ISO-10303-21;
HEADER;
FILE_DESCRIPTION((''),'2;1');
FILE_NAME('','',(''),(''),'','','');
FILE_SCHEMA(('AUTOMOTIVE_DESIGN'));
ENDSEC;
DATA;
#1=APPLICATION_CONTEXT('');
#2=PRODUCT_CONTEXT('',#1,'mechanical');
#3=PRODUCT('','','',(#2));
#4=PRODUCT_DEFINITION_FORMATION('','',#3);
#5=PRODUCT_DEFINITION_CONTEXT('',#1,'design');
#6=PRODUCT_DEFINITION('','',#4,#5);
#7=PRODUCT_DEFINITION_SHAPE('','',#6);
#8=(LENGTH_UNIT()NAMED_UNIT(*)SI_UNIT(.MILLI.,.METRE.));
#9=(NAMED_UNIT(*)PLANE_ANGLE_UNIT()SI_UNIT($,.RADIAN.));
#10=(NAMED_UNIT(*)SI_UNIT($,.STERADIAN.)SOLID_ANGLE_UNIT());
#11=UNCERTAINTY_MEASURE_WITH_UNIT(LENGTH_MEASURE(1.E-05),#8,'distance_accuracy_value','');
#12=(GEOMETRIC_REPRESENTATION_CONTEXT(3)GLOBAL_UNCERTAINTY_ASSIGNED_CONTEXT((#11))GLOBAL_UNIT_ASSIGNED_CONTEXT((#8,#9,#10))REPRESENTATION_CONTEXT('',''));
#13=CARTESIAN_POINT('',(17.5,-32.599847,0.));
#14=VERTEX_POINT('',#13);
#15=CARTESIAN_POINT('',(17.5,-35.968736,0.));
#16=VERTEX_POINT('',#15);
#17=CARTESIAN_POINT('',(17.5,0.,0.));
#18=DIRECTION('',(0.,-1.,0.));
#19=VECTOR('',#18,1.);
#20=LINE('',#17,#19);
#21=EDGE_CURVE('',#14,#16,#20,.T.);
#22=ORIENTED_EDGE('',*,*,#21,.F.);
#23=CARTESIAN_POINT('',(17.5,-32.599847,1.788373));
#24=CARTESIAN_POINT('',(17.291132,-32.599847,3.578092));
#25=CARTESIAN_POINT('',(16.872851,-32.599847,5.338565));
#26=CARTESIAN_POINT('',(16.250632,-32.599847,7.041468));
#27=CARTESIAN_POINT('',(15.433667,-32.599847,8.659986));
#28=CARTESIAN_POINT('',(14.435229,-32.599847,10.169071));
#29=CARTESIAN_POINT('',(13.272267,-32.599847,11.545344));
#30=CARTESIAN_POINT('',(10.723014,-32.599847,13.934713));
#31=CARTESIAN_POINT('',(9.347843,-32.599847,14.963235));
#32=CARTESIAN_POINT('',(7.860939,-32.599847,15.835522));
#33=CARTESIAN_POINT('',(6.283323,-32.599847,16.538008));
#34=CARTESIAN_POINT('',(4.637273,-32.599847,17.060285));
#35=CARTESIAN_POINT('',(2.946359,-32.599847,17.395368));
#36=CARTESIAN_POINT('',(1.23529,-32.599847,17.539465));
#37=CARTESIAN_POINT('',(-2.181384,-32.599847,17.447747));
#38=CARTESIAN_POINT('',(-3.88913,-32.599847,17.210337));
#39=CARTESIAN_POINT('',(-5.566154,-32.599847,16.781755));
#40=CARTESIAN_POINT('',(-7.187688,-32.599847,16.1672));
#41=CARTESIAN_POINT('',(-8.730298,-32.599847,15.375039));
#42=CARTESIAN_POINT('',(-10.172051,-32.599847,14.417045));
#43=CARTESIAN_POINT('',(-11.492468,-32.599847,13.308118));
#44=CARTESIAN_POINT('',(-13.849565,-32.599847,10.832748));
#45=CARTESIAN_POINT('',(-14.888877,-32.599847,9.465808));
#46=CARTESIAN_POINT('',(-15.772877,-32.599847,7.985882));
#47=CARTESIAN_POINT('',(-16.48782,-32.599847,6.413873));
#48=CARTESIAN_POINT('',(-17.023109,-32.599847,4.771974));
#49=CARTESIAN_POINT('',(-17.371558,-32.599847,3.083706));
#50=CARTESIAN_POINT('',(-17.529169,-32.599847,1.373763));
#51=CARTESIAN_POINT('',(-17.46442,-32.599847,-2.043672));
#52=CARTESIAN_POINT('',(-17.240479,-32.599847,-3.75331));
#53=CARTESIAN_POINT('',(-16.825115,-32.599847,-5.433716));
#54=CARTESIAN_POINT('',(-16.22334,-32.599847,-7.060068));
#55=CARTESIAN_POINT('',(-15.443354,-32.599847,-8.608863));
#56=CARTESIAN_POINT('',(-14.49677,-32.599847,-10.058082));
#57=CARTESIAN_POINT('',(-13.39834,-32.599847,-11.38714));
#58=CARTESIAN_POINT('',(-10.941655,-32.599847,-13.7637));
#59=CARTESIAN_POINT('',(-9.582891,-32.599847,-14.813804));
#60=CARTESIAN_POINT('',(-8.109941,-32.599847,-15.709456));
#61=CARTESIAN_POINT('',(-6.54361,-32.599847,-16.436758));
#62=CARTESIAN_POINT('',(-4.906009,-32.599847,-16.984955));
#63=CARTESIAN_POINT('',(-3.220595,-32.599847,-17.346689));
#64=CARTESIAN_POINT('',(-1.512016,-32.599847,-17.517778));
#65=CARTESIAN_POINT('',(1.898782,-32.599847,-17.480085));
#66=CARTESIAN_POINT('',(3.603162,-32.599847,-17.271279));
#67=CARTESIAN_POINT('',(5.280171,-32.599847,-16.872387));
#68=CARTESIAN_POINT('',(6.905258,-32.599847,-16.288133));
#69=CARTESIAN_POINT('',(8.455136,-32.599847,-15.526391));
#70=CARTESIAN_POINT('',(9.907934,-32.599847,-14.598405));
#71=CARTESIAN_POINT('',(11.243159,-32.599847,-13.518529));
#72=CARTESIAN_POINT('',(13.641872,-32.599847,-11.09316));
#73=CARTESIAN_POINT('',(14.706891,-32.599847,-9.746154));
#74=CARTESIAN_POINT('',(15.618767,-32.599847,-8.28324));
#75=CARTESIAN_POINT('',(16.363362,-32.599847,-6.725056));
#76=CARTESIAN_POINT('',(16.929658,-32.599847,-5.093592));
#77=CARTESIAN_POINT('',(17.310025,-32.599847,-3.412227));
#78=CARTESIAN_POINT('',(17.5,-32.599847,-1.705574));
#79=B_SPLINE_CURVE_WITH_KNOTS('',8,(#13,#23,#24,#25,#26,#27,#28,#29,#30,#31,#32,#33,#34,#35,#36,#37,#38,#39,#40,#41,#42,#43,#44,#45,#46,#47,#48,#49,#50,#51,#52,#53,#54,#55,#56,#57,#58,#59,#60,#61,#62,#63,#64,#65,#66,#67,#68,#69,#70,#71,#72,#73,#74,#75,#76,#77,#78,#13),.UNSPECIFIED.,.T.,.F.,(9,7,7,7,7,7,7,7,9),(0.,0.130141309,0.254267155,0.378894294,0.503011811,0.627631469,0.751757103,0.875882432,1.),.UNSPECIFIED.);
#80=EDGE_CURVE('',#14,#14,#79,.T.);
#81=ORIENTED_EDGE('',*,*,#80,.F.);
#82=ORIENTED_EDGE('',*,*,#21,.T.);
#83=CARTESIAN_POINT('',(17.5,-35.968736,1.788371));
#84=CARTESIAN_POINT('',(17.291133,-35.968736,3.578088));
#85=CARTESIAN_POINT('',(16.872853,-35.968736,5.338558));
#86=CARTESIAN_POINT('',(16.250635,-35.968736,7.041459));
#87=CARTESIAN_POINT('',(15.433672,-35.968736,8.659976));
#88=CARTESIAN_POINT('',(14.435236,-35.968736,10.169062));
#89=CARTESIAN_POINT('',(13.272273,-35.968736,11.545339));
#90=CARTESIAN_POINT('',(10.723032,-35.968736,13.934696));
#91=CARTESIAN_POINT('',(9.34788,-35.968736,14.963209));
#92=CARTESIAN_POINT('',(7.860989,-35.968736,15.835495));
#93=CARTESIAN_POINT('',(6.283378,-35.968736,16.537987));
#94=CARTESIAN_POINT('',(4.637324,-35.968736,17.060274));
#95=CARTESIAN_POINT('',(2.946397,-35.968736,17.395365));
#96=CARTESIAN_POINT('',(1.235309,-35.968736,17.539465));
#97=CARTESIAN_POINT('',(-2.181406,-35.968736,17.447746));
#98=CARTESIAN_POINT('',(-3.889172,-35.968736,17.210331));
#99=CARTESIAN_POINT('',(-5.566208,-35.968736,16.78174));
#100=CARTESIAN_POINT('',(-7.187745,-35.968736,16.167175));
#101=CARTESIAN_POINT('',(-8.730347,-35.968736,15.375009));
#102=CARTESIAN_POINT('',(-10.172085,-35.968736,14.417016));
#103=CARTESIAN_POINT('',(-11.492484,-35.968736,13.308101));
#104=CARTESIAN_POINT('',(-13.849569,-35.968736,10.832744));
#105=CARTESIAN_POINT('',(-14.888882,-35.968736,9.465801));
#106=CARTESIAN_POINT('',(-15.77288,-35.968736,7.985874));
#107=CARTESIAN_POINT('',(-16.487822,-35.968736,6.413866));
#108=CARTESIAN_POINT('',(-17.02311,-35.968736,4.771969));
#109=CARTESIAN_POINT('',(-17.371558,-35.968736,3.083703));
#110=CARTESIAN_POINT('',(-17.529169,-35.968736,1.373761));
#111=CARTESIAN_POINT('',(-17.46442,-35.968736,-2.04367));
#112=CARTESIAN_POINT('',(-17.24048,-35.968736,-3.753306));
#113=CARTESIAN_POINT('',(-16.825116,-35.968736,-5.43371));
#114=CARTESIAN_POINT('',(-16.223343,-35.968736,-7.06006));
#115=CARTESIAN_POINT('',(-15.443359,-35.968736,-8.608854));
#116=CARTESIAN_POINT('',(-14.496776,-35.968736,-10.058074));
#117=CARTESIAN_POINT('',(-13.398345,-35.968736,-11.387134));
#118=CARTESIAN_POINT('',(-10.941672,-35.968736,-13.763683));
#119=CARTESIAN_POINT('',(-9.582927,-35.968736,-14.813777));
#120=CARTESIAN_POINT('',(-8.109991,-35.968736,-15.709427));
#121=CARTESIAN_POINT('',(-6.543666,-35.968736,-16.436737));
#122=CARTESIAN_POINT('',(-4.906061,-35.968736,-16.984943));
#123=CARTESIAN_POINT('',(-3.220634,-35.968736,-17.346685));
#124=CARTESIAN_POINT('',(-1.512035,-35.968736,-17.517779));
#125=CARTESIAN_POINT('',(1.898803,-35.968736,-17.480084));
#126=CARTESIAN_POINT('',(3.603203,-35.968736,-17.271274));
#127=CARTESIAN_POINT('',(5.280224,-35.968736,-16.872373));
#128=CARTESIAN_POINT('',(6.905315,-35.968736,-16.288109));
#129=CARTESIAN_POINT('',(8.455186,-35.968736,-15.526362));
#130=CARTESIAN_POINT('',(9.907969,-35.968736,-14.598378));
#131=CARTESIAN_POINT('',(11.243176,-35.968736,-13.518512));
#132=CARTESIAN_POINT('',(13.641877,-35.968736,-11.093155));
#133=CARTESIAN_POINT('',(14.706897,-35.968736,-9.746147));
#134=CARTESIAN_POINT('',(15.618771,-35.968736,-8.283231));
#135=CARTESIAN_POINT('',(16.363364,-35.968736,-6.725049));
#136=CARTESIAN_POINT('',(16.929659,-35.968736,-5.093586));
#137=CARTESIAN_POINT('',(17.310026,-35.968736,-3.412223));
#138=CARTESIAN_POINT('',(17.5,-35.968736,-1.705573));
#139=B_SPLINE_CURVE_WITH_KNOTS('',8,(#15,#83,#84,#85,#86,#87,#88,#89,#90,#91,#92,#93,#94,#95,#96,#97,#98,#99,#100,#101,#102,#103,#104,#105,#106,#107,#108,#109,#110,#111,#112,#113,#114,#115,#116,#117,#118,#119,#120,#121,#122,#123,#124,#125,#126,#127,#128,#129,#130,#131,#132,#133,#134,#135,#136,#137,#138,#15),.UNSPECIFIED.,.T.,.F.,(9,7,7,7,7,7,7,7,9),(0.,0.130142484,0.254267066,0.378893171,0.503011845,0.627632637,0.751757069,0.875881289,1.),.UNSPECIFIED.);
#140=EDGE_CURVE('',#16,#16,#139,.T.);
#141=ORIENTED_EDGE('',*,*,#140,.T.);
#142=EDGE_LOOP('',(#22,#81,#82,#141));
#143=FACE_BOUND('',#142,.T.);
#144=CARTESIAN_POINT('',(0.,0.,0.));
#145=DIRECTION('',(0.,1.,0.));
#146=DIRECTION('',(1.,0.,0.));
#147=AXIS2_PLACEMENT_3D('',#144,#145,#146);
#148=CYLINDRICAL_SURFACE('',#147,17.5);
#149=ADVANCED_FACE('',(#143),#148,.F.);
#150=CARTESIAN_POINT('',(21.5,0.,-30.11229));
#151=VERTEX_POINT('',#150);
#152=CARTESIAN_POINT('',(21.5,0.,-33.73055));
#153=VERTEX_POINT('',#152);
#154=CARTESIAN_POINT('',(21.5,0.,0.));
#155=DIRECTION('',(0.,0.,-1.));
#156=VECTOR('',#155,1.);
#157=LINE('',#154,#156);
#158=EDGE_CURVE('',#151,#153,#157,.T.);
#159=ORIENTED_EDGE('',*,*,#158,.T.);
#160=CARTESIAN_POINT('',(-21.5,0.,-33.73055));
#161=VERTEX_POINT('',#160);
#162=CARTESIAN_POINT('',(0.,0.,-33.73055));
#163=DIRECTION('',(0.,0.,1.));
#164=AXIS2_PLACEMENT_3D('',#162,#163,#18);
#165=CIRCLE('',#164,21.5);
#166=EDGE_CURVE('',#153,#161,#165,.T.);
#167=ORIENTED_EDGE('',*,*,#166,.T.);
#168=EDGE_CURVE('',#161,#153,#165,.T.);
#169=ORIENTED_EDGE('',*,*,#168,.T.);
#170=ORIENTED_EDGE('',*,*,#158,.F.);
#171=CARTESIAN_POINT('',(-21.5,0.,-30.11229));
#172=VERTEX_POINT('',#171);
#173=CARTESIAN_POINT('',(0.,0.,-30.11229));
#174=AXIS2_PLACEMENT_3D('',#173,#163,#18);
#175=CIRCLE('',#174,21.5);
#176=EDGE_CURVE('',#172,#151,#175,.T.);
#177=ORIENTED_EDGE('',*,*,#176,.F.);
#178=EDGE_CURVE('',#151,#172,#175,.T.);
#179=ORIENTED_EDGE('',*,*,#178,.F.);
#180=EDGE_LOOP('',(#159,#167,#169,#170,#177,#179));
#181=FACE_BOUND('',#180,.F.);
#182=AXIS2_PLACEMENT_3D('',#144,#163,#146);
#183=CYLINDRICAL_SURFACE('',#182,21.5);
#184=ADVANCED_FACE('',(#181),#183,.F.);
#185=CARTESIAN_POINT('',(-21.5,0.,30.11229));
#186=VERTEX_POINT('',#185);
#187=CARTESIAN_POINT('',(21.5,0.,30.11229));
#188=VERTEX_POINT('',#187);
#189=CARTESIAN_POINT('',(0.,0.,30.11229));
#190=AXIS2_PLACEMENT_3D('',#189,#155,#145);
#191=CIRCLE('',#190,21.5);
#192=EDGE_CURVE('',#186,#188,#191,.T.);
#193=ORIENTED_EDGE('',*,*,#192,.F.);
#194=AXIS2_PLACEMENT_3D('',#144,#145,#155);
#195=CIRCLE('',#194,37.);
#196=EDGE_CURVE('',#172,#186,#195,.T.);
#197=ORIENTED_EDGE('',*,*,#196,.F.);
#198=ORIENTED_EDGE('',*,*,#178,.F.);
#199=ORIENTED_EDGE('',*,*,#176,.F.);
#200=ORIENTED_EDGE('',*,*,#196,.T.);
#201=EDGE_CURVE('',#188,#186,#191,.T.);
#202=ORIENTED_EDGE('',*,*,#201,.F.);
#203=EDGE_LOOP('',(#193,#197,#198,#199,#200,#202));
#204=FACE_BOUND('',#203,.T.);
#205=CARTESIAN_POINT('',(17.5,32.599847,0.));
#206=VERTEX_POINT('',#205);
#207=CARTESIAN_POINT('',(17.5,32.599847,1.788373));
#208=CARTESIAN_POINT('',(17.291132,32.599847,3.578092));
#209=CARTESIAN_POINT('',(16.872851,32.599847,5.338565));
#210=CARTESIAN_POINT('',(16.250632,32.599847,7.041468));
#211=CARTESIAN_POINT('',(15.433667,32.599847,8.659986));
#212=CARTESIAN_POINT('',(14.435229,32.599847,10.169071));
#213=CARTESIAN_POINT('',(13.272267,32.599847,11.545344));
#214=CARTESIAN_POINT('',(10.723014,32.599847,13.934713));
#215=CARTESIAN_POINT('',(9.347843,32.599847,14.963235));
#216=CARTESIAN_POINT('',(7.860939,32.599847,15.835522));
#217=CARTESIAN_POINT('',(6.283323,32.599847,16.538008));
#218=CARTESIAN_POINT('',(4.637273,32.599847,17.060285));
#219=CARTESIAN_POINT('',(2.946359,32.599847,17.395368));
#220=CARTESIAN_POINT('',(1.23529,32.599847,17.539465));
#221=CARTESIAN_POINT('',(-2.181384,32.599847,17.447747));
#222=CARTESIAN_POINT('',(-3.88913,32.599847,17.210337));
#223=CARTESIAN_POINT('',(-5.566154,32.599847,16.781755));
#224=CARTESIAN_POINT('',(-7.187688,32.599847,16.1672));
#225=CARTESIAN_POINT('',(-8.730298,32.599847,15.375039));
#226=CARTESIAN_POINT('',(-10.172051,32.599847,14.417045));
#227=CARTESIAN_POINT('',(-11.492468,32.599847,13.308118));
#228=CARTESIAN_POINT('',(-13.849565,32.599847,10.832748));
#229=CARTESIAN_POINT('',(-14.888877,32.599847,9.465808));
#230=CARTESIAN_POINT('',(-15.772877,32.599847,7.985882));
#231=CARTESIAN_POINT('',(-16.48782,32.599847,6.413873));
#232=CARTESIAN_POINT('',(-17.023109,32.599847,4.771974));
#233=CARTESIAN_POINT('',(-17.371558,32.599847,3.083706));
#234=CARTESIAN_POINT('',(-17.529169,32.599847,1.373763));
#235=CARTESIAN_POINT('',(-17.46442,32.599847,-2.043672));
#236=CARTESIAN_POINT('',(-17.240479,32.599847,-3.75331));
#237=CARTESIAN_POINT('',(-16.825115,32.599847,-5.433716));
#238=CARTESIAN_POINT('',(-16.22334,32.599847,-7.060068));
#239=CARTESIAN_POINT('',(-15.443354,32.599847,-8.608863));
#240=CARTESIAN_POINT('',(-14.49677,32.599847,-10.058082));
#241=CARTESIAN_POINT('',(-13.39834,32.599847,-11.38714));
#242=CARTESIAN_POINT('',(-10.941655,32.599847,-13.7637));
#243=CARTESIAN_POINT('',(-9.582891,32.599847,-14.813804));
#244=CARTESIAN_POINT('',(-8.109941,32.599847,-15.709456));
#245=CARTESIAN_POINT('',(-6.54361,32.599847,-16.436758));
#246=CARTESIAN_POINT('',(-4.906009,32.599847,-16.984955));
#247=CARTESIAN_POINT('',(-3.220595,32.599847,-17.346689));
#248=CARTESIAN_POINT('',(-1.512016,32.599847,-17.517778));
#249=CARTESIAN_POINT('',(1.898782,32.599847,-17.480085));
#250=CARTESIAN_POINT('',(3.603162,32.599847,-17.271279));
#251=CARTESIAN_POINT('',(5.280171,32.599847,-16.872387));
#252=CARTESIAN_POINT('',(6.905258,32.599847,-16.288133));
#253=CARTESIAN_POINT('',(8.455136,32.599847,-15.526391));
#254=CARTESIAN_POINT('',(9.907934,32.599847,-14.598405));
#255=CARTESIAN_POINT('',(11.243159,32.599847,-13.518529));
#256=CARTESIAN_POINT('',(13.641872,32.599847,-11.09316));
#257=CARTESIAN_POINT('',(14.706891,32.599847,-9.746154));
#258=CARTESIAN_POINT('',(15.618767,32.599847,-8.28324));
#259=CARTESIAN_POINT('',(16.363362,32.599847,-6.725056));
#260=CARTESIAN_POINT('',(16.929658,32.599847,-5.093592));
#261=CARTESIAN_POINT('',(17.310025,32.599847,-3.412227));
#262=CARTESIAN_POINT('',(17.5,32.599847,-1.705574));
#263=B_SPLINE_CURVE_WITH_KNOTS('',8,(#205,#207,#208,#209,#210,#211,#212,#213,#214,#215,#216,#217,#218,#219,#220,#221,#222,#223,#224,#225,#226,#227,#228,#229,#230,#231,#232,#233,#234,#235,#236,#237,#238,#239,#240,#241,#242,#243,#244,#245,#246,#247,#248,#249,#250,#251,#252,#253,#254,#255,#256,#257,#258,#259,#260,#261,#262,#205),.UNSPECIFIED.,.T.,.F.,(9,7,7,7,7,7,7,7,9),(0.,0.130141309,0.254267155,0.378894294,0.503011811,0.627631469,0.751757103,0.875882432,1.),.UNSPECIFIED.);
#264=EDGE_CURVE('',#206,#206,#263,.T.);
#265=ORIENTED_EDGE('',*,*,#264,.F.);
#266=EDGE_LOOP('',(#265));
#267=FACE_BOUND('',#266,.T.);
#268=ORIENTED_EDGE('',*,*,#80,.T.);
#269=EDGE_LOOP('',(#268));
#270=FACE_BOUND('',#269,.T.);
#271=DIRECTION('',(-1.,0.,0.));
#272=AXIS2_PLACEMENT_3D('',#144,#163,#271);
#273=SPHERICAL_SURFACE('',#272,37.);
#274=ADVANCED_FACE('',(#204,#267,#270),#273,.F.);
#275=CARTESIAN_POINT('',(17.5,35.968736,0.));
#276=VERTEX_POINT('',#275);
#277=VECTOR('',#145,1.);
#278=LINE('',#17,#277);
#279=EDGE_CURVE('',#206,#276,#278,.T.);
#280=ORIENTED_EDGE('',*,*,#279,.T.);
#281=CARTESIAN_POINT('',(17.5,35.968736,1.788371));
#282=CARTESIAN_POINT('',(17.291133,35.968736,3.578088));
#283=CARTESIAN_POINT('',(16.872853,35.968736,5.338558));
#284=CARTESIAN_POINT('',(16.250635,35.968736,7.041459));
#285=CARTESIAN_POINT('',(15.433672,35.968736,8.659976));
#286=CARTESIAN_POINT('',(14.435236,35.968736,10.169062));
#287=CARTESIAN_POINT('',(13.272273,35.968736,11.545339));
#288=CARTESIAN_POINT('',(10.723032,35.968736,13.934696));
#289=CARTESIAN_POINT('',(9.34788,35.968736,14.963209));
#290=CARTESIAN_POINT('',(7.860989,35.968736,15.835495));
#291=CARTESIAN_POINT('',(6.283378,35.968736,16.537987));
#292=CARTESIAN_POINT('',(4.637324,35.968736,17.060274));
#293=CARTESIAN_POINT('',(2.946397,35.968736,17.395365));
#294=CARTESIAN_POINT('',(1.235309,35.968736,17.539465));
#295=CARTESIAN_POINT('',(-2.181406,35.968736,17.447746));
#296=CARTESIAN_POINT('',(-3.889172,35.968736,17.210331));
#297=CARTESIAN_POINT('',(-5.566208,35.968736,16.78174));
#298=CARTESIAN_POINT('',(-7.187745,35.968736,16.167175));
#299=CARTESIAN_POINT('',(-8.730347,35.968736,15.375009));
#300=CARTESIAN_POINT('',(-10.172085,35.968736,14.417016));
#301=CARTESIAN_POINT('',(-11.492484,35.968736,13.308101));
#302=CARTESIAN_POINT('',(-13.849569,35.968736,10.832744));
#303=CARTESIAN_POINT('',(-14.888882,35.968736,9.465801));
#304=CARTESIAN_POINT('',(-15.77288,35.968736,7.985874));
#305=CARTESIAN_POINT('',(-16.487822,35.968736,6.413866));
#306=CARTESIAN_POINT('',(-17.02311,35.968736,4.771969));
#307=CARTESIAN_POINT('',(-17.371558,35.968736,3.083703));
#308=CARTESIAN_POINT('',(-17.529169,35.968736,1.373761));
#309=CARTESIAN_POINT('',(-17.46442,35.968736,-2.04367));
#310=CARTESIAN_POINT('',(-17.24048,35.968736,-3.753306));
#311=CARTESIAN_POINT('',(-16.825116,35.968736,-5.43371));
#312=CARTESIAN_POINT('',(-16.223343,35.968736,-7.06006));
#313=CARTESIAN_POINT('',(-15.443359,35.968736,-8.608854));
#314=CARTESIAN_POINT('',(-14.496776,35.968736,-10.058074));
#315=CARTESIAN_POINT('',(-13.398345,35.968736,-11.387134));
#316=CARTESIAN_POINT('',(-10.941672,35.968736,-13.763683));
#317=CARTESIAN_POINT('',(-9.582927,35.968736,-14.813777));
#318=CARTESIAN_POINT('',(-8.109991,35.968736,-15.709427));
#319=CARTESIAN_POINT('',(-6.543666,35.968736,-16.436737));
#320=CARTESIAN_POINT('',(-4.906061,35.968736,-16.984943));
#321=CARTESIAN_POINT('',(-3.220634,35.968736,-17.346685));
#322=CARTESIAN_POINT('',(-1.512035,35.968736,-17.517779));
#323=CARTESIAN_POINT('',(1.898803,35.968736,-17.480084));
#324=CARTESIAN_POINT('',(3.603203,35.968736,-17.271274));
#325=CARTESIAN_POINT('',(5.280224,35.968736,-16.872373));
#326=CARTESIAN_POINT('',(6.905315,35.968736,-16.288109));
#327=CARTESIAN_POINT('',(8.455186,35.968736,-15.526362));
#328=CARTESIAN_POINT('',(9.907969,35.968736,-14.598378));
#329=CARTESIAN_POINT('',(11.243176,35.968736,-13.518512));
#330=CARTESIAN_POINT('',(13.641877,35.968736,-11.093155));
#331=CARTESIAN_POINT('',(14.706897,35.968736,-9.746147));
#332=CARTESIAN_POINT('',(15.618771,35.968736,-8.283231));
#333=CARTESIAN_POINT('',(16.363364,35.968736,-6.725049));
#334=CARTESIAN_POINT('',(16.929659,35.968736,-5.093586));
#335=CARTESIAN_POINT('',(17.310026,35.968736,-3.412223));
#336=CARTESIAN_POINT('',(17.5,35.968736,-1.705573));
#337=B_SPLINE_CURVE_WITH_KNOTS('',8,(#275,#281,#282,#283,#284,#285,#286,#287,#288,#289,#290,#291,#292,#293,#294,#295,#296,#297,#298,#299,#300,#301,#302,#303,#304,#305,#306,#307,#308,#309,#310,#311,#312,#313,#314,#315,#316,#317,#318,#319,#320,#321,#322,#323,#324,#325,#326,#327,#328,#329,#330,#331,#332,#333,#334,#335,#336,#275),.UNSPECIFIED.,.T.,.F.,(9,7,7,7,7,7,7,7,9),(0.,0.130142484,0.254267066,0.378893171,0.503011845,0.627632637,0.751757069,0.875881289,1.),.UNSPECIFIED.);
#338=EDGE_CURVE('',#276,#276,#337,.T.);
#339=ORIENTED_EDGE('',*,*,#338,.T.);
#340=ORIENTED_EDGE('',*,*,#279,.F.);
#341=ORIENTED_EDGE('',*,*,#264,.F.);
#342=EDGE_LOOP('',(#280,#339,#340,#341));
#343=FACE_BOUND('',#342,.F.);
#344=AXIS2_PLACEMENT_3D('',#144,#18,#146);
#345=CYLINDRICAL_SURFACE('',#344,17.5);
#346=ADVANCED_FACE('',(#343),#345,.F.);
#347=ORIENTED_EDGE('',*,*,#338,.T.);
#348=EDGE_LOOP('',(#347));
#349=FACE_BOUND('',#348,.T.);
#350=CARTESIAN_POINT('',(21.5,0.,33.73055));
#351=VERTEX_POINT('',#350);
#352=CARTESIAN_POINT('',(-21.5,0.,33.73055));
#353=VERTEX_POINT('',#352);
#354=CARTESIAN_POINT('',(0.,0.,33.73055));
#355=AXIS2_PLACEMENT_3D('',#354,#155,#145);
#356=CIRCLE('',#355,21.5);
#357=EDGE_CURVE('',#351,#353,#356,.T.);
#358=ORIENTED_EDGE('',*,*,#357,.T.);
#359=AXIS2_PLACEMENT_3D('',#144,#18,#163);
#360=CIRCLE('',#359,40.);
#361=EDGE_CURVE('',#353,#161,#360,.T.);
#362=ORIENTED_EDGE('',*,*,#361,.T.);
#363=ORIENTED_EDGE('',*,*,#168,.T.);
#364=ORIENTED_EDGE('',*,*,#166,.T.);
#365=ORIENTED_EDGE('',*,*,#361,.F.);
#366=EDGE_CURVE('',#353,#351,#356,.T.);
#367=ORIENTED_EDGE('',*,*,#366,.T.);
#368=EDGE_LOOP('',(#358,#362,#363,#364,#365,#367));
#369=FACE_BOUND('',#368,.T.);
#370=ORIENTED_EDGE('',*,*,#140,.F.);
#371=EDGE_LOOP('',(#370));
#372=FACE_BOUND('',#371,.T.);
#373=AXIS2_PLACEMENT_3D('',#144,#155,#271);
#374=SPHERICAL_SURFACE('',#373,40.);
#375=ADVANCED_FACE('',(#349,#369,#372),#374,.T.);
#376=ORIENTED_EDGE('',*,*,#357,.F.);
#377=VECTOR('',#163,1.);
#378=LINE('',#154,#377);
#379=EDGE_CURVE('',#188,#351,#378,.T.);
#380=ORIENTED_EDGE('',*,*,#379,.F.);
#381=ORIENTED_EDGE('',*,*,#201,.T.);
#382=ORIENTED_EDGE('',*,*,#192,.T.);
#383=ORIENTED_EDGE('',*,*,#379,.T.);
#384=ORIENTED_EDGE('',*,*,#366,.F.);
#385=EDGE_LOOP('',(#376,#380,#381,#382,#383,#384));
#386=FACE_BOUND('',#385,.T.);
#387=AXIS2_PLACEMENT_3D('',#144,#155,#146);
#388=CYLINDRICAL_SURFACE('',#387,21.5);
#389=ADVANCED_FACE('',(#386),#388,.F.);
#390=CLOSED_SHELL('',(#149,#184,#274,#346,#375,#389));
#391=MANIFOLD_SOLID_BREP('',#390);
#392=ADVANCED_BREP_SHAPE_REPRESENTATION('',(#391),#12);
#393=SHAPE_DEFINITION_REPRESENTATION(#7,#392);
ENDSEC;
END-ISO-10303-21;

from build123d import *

# Parameters (mm, degrees)
F2_R          = 17.5
F3_DEPTH      = 40.001
F3_DEPTH_BACK = 40.001
F4_R          = 21.5
F5_DEPTH      = 40.001
F5_DEPTH_BACK = 40.001


with BuildPart() as f1:
    # F0 (on Front) → F1 (revolve)
    with BuildSketch(Plane.XZ):
        with BuildLine():
            Line((0, 37), (0, 40))
            ThreePointArc((0, 40), (-40, 0), (0, -40))
            Line((0, -40), (0, -37))
            ThreePointArc((0, -37), (-37, 0), (0, 37))
        make_face()
    revolve(axis=Axis((0, 0, -38.5), (0, 0, -1)))

    # F2 (on Front) → F3 (cut, two sides)
    with BuildSketch(Plane.XZ) as f3_sk:
        Circle(F2_R)
    extrude(amount=F3_DEPTH, mode=Mode.SUBTRACT)
    extrude(f3_sk.sketch, amount=-F3_DEPTH_BACK, mode=Mode.SUBTRACT)

    # F4 (on Top) → F5 (cut, two sides)
    with BuildSketch(Plane.XY) as f5_sk:
        Circle(F4_R)
    extrude(amount=F5_DEPTH, mode=Mode.SUBTRACT)
    extrude(f5_sk.sketch, amount=-F5_DEPTH_BACK, mode=Mode.SUBTRACT)


solid = f1.part
